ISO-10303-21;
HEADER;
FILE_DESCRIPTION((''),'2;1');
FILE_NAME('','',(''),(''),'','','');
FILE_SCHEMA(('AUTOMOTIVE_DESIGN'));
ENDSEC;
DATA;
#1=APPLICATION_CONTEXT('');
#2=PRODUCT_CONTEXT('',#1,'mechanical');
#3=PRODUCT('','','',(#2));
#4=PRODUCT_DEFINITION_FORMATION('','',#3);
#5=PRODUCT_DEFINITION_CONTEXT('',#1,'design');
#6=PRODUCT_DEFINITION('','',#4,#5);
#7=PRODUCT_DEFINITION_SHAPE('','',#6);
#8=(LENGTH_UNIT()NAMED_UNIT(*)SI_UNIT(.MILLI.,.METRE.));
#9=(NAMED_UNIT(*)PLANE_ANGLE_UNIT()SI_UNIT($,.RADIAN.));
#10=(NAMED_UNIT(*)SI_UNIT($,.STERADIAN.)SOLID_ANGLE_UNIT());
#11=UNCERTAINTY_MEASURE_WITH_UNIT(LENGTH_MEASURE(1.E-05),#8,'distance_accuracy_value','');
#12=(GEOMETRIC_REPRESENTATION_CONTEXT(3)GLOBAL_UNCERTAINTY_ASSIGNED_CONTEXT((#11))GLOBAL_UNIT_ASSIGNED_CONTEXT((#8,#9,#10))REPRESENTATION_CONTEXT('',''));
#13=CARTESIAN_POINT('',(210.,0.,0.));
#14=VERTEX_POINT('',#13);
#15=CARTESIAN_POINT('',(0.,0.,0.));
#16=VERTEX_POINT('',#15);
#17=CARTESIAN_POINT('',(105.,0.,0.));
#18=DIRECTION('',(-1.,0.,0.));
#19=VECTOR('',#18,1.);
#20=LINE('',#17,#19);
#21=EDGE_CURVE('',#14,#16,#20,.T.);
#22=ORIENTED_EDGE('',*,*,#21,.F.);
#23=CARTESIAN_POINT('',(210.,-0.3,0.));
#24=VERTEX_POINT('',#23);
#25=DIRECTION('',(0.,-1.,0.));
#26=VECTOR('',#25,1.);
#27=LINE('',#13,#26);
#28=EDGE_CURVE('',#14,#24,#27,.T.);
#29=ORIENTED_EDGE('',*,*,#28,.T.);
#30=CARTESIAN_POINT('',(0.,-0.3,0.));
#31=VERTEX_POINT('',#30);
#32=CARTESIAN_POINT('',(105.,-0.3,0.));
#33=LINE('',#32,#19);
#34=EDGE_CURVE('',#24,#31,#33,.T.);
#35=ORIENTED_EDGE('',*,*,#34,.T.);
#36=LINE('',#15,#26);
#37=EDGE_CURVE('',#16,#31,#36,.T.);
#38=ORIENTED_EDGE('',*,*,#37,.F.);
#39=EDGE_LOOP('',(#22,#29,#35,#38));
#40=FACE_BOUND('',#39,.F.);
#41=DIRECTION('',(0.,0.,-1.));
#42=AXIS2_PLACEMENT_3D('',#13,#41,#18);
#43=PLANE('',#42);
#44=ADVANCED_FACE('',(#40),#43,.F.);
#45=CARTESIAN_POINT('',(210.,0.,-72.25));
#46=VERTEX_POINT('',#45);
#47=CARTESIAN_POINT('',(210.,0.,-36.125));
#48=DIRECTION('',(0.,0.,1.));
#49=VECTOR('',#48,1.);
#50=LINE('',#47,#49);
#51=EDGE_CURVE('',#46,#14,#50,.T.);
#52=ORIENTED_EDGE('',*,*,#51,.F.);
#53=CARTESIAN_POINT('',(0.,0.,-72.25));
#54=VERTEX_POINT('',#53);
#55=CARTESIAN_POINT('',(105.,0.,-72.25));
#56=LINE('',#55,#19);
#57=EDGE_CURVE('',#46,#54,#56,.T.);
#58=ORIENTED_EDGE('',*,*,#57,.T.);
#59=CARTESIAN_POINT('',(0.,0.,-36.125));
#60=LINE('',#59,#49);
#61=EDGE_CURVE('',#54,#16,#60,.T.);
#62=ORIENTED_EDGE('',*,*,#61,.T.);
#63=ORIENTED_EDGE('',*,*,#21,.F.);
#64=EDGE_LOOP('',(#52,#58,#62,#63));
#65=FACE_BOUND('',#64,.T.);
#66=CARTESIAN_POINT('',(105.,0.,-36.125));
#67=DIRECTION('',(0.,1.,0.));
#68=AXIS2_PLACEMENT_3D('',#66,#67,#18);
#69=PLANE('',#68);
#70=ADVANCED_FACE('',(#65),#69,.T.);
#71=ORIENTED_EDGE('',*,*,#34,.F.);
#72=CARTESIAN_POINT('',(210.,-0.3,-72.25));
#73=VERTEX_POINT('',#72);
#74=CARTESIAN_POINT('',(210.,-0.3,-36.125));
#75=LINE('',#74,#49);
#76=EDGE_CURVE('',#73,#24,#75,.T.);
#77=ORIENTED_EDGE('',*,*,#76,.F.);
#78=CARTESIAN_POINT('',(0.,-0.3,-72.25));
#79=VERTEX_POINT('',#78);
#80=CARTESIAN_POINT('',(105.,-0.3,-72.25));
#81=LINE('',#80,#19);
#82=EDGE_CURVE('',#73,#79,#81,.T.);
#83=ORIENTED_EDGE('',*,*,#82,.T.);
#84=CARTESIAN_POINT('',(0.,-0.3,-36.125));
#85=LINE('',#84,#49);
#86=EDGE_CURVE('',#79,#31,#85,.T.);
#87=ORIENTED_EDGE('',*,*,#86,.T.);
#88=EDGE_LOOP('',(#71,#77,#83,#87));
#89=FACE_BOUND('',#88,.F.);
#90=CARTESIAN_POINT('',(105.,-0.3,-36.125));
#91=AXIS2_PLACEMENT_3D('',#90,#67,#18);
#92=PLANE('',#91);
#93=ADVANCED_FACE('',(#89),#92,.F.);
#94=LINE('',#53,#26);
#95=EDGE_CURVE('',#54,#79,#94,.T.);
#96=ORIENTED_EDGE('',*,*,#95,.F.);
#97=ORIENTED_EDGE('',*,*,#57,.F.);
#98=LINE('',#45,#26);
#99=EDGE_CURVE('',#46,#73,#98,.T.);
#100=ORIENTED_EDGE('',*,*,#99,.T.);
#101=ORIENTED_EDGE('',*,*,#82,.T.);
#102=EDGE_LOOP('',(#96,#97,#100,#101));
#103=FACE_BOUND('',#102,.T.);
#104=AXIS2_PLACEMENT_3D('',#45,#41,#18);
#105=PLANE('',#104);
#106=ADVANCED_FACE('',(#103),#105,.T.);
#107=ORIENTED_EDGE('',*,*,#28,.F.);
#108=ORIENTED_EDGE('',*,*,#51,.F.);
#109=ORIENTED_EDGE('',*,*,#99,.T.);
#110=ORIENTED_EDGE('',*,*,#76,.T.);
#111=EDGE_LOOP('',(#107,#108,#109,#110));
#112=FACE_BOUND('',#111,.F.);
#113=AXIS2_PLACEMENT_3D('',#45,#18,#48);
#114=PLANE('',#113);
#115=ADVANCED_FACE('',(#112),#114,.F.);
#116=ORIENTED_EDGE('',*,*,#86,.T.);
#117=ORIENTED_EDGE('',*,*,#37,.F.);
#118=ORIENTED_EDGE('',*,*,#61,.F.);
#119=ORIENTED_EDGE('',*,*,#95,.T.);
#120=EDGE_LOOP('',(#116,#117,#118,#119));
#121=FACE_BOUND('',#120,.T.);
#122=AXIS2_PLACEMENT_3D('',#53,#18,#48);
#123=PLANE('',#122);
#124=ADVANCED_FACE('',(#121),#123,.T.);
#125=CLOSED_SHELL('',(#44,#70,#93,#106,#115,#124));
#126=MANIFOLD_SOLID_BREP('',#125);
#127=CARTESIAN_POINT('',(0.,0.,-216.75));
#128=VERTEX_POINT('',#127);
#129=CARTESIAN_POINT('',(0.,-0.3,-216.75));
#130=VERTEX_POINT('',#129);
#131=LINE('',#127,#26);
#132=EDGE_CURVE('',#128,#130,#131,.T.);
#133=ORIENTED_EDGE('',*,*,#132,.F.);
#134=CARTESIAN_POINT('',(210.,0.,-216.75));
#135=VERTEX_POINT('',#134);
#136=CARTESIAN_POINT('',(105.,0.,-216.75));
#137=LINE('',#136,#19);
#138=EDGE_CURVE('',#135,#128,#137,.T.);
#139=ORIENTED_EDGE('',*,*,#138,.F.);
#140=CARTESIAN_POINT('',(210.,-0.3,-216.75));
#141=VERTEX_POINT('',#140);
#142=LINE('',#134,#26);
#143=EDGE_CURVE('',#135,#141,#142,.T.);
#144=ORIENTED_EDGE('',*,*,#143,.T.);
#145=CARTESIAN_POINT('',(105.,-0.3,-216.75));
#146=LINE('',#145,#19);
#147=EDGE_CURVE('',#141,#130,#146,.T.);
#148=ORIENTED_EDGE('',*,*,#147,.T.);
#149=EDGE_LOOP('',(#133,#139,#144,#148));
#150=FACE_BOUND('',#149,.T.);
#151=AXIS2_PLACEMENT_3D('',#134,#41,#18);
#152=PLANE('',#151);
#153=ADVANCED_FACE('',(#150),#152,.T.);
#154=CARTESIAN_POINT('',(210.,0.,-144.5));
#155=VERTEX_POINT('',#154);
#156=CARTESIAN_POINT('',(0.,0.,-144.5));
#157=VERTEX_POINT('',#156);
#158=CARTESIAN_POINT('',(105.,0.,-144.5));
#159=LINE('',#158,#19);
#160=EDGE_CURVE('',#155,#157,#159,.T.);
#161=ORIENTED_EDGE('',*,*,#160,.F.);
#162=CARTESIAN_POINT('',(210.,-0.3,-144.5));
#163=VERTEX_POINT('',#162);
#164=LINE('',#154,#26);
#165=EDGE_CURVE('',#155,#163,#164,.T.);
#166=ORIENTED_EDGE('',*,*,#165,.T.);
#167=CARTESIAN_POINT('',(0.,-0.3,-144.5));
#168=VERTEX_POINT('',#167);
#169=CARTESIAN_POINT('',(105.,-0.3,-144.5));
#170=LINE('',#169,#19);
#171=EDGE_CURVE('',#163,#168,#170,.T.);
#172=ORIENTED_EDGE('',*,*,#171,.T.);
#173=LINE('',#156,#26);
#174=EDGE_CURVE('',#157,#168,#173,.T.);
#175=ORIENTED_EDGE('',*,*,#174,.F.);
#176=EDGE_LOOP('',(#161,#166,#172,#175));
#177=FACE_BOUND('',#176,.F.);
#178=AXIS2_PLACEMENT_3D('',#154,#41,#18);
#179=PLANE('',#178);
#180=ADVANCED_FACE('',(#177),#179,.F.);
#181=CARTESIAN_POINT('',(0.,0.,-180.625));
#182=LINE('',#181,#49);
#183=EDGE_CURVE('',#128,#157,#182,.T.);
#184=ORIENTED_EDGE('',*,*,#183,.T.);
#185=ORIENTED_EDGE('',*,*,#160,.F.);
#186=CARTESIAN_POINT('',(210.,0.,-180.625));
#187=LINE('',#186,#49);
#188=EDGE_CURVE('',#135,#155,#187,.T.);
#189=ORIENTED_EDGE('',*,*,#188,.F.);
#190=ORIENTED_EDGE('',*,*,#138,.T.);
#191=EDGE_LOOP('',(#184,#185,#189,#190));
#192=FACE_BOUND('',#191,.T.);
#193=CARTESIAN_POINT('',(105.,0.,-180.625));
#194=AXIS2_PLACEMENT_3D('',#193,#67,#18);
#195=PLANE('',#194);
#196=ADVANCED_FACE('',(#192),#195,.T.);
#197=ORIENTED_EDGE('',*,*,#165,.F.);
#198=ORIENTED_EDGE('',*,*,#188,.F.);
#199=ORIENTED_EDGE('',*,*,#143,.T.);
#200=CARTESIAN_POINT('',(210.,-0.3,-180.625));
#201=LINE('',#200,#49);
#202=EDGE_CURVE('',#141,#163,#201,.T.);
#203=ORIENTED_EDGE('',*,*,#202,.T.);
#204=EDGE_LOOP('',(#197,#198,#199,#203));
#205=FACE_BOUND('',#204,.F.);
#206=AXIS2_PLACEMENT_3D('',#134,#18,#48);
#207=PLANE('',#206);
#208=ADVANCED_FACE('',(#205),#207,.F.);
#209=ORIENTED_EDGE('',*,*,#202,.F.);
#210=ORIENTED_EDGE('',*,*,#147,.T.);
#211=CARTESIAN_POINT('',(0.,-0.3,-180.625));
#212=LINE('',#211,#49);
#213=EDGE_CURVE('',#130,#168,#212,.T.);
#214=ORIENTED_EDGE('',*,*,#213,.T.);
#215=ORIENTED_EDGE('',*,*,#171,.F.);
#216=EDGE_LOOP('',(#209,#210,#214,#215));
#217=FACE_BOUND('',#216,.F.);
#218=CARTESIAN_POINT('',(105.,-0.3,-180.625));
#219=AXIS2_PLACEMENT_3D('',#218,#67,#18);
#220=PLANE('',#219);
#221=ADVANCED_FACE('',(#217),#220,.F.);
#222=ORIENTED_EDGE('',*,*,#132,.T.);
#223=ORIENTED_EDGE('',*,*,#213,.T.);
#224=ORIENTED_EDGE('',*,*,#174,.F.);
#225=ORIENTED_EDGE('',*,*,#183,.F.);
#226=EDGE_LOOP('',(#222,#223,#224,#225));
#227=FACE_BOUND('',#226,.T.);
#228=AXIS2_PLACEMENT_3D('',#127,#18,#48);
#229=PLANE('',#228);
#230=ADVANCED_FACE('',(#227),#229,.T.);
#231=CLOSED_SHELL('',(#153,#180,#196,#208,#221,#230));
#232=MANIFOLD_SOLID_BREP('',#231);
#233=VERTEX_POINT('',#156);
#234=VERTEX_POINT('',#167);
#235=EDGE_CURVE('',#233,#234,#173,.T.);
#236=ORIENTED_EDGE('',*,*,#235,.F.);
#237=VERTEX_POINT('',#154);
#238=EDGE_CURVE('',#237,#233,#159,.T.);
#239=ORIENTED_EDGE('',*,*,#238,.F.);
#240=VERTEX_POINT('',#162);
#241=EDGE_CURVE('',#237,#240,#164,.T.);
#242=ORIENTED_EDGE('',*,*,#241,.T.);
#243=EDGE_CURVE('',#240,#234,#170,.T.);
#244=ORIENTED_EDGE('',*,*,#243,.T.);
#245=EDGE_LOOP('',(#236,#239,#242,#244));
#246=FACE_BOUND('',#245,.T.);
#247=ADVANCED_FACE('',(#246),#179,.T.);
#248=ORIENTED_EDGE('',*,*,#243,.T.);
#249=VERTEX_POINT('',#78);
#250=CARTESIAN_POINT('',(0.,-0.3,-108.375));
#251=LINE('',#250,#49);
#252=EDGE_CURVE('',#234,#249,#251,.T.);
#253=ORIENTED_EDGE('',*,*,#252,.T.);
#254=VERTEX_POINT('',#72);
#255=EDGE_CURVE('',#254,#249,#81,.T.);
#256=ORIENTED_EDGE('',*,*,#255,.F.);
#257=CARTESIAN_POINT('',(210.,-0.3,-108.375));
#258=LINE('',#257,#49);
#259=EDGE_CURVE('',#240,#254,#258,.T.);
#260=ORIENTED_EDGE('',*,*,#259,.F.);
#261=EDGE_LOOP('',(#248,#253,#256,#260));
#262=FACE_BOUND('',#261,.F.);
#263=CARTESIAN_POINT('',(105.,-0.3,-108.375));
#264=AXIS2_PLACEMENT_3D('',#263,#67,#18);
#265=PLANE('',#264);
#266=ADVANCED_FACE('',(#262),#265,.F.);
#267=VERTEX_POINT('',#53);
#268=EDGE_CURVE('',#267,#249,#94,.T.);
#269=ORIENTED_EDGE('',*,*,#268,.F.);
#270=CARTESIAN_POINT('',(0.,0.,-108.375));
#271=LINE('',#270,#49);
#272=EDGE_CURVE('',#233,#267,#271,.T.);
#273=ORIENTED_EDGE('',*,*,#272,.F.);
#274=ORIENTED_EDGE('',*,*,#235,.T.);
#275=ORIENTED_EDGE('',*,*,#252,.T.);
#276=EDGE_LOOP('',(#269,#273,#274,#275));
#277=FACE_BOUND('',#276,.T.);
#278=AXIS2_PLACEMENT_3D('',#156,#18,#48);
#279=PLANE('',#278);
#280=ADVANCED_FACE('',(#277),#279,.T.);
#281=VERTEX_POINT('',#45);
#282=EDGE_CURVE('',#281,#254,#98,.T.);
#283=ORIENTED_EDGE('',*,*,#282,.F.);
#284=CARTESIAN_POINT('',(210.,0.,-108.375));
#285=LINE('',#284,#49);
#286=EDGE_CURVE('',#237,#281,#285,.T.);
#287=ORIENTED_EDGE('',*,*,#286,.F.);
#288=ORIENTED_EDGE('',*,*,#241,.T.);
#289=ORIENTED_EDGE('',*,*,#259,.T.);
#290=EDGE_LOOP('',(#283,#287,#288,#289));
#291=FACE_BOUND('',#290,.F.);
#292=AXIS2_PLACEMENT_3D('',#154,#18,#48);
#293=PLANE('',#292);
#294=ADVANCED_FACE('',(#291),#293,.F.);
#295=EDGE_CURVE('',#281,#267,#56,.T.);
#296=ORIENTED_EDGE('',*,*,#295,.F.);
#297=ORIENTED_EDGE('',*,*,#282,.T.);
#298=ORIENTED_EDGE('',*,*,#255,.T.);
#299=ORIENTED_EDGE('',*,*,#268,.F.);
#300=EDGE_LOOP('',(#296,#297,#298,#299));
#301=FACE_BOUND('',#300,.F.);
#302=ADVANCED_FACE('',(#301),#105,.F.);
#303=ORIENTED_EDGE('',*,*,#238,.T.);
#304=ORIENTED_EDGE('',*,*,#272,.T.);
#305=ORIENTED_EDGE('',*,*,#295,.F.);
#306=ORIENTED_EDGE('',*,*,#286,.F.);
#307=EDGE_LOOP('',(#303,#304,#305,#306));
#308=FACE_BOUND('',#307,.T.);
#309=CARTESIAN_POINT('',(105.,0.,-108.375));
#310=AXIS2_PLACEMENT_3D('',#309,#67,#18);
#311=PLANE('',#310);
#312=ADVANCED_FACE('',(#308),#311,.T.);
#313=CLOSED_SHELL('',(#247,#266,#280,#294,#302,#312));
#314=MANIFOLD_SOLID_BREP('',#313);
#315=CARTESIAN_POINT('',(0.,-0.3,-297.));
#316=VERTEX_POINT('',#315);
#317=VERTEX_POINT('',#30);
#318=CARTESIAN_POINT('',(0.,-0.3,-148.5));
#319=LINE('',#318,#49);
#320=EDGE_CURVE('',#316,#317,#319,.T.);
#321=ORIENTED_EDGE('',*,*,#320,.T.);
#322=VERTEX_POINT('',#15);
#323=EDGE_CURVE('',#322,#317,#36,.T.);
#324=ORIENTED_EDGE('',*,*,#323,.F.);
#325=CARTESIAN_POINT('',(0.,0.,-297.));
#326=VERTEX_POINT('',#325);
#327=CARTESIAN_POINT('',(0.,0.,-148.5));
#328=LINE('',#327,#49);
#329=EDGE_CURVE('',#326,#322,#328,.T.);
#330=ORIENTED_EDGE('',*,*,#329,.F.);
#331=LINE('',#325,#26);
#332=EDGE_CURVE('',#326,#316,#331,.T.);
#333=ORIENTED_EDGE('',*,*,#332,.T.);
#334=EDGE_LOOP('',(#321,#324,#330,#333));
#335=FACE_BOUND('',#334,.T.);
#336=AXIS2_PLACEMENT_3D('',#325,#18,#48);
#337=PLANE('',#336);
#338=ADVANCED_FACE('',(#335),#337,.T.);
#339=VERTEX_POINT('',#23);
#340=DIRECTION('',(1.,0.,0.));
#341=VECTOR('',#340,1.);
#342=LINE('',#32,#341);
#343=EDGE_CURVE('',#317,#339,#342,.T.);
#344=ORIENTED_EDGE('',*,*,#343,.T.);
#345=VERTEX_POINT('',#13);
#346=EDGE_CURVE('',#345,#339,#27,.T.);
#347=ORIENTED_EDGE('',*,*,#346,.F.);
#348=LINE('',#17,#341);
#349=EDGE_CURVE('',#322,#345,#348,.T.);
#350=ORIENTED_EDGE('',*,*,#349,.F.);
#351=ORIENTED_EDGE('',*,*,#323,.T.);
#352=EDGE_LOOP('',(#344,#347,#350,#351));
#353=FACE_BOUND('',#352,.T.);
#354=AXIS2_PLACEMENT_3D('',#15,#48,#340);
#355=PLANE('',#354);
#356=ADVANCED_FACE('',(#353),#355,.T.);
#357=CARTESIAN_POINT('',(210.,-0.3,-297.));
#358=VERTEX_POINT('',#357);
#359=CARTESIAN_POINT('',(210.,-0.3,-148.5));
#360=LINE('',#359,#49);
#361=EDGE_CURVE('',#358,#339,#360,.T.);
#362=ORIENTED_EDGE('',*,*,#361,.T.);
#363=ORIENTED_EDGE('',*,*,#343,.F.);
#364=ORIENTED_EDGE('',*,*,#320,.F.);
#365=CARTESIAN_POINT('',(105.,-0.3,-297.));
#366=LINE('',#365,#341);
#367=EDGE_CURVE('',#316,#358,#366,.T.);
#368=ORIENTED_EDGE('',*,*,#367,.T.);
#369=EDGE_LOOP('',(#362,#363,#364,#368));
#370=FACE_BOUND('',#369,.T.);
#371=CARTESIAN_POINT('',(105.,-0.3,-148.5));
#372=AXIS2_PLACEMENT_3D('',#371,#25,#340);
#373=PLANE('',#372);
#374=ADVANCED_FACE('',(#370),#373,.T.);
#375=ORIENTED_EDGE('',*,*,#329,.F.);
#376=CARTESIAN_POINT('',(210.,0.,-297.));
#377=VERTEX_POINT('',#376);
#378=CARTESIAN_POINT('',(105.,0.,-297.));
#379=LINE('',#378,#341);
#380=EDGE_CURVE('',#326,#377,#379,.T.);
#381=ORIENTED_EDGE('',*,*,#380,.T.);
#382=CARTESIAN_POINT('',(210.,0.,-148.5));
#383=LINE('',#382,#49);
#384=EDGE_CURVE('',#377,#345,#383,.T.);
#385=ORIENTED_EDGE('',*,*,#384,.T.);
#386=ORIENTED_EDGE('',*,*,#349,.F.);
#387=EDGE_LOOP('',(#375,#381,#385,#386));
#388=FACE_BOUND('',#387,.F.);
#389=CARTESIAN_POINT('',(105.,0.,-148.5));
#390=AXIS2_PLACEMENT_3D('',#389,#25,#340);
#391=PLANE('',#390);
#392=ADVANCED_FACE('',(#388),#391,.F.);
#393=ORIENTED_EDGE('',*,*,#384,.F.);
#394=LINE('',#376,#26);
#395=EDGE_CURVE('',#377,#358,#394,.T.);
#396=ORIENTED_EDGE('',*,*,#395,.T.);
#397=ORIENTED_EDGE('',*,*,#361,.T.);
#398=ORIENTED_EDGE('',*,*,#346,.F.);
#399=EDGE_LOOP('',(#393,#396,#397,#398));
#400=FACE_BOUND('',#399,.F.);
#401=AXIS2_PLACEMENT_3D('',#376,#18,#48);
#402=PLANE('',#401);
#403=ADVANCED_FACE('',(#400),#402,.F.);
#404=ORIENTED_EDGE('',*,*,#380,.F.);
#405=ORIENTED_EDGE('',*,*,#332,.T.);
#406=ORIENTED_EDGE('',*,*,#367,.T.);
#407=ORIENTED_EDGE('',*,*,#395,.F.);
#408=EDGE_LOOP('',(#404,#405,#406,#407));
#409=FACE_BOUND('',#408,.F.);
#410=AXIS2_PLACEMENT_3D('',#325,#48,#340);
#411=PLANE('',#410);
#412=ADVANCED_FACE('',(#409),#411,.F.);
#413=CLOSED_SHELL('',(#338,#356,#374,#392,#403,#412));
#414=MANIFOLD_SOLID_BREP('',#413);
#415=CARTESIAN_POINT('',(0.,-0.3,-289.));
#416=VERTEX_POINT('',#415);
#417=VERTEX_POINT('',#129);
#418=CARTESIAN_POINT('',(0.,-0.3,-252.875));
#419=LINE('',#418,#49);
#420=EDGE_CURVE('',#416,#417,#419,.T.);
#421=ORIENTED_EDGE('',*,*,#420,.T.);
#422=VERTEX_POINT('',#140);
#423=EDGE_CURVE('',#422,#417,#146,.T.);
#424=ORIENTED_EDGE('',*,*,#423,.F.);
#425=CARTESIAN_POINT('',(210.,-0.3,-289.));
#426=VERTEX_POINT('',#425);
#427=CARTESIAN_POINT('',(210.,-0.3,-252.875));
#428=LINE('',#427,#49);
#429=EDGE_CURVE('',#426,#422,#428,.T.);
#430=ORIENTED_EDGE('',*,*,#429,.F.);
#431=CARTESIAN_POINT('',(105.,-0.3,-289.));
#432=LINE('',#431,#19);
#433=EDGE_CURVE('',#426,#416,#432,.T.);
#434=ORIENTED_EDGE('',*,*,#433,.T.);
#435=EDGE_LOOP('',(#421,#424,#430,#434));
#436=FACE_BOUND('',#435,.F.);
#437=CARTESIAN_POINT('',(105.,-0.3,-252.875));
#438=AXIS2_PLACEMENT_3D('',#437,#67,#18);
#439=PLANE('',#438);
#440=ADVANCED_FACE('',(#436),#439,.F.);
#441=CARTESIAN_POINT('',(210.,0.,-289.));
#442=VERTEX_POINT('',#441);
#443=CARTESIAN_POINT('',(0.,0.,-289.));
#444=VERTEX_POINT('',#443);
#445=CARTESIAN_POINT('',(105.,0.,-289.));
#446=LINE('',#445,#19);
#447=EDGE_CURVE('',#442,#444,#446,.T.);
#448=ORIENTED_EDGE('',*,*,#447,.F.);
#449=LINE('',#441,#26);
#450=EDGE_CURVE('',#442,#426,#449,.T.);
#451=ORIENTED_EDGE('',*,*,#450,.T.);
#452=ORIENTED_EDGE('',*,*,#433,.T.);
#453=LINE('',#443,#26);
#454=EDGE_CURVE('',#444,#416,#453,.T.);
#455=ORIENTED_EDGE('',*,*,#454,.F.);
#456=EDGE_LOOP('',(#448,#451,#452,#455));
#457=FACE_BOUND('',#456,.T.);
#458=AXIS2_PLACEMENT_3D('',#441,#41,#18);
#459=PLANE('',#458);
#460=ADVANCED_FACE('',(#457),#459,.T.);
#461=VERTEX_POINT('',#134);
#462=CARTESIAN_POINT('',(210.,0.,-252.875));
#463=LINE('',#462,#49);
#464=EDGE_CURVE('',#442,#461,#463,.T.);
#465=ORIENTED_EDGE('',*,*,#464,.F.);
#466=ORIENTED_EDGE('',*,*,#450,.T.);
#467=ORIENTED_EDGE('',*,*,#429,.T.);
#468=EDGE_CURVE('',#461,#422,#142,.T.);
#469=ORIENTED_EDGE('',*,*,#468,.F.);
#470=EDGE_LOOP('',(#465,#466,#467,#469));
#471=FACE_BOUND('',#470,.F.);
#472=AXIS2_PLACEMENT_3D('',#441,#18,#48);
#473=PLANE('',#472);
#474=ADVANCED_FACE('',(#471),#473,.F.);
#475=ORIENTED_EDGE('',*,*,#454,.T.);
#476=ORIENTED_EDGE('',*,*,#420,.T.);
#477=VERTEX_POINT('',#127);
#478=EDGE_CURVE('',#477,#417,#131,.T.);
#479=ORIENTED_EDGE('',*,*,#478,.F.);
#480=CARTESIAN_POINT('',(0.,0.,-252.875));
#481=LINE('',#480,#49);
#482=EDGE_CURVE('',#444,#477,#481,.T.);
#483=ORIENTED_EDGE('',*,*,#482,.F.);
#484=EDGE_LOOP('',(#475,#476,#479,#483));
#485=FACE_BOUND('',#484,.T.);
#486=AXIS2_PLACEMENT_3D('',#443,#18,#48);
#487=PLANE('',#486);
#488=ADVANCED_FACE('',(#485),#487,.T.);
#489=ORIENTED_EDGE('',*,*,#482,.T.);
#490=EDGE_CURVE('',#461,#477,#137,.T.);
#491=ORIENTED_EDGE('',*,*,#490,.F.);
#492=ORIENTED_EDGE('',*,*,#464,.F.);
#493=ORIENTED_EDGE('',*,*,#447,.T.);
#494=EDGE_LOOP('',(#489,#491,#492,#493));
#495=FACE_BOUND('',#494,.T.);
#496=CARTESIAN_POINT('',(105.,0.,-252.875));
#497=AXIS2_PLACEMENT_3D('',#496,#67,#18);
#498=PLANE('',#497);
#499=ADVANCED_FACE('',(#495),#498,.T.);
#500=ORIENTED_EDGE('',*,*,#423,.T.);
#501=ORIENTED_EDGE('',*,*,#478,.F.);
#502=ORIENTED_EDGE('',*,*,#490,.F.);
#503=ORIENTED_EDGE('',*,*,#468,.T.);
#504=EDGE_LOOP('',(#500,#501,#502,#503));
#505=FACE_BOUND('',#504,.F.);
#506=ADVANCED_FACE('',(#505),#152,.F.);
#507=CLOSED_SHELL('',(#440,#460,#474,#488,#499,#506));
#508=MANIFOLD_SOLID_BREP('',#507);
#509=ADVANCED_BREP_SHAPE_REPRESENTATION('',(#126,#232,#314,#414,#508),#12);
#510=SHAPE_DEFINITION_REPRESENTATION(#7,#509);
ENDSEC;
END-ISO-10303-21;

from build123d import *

# Parameters (mm, degrees)
F0_W     = 210
F0_H     = 297
F1_DEPTH = 0.3
F2_W     = 210
F2_H     = 72.25
F3_DEPTH = 0.3
F4_DEPTH = 0.3
F5_DEPTH = 0.3
F6_DEPTH = 0.3


with BuildPart() as f1:
    # F0 (on Front) → F1 (new body)
    with BuildSketch(Plane.XZ):
        with Locations((105, -148.5)):
            Rectangle(F0_W, F0_H)
    extrude(amount=F1_DEPTH)


with BuildPart() as f3:
    # F2 (on face) → F3 (new body)
    with BuildSketch(Plane(origin=(0, 0, 0), x_dir=(-1, 0, 0), z_dir=(0, 1, 0))):
        with Locations((-105, -36.125)):
            Rectangle(F2_W, F2_H)
    extrude(amount=-F3_DEPTH)


with BuildPart() as f4:
    # F2 (on face) → F4 (new body)
    with BuildSketch(Plane(origin=(0, 0, 0), x_dir=(-1, 0, 0), z_dir=(0, 1, 0))):
        with Locations((-105, -108.375)):
            Rectangle(F2_W, F2_H)
    extrude(amount=-F4_DEPTH)


with BuildPart() as f5:
    # F2 (on face) → F5 (new body)
    with BuildSketch(Plane(origin=(0, 0, 0), x_dir=(-1, 0, 0), z_dir=(0, 1, 0))):
        with Locations((-105, -180.625)):
            Rectangle(F2_W, F2_H)
    extrude(amount=-F5_DEPTH)


with BuildPart() as f6:
    # F2 (on face) → F6 (new body)
    with BuildSketch(Plane(origin=(0, 0, 0), x_dir=(-1, 0, 0), z_dir=(0, 1, 0))):
        with Locations((-105, -252.875)):
            Rectangle(F2_W, F2_H)
    extrude(amount=-F6_DEPTH)


solid = Compound([f1.part, f3.part, f4.part, f5.part, f6.part])
